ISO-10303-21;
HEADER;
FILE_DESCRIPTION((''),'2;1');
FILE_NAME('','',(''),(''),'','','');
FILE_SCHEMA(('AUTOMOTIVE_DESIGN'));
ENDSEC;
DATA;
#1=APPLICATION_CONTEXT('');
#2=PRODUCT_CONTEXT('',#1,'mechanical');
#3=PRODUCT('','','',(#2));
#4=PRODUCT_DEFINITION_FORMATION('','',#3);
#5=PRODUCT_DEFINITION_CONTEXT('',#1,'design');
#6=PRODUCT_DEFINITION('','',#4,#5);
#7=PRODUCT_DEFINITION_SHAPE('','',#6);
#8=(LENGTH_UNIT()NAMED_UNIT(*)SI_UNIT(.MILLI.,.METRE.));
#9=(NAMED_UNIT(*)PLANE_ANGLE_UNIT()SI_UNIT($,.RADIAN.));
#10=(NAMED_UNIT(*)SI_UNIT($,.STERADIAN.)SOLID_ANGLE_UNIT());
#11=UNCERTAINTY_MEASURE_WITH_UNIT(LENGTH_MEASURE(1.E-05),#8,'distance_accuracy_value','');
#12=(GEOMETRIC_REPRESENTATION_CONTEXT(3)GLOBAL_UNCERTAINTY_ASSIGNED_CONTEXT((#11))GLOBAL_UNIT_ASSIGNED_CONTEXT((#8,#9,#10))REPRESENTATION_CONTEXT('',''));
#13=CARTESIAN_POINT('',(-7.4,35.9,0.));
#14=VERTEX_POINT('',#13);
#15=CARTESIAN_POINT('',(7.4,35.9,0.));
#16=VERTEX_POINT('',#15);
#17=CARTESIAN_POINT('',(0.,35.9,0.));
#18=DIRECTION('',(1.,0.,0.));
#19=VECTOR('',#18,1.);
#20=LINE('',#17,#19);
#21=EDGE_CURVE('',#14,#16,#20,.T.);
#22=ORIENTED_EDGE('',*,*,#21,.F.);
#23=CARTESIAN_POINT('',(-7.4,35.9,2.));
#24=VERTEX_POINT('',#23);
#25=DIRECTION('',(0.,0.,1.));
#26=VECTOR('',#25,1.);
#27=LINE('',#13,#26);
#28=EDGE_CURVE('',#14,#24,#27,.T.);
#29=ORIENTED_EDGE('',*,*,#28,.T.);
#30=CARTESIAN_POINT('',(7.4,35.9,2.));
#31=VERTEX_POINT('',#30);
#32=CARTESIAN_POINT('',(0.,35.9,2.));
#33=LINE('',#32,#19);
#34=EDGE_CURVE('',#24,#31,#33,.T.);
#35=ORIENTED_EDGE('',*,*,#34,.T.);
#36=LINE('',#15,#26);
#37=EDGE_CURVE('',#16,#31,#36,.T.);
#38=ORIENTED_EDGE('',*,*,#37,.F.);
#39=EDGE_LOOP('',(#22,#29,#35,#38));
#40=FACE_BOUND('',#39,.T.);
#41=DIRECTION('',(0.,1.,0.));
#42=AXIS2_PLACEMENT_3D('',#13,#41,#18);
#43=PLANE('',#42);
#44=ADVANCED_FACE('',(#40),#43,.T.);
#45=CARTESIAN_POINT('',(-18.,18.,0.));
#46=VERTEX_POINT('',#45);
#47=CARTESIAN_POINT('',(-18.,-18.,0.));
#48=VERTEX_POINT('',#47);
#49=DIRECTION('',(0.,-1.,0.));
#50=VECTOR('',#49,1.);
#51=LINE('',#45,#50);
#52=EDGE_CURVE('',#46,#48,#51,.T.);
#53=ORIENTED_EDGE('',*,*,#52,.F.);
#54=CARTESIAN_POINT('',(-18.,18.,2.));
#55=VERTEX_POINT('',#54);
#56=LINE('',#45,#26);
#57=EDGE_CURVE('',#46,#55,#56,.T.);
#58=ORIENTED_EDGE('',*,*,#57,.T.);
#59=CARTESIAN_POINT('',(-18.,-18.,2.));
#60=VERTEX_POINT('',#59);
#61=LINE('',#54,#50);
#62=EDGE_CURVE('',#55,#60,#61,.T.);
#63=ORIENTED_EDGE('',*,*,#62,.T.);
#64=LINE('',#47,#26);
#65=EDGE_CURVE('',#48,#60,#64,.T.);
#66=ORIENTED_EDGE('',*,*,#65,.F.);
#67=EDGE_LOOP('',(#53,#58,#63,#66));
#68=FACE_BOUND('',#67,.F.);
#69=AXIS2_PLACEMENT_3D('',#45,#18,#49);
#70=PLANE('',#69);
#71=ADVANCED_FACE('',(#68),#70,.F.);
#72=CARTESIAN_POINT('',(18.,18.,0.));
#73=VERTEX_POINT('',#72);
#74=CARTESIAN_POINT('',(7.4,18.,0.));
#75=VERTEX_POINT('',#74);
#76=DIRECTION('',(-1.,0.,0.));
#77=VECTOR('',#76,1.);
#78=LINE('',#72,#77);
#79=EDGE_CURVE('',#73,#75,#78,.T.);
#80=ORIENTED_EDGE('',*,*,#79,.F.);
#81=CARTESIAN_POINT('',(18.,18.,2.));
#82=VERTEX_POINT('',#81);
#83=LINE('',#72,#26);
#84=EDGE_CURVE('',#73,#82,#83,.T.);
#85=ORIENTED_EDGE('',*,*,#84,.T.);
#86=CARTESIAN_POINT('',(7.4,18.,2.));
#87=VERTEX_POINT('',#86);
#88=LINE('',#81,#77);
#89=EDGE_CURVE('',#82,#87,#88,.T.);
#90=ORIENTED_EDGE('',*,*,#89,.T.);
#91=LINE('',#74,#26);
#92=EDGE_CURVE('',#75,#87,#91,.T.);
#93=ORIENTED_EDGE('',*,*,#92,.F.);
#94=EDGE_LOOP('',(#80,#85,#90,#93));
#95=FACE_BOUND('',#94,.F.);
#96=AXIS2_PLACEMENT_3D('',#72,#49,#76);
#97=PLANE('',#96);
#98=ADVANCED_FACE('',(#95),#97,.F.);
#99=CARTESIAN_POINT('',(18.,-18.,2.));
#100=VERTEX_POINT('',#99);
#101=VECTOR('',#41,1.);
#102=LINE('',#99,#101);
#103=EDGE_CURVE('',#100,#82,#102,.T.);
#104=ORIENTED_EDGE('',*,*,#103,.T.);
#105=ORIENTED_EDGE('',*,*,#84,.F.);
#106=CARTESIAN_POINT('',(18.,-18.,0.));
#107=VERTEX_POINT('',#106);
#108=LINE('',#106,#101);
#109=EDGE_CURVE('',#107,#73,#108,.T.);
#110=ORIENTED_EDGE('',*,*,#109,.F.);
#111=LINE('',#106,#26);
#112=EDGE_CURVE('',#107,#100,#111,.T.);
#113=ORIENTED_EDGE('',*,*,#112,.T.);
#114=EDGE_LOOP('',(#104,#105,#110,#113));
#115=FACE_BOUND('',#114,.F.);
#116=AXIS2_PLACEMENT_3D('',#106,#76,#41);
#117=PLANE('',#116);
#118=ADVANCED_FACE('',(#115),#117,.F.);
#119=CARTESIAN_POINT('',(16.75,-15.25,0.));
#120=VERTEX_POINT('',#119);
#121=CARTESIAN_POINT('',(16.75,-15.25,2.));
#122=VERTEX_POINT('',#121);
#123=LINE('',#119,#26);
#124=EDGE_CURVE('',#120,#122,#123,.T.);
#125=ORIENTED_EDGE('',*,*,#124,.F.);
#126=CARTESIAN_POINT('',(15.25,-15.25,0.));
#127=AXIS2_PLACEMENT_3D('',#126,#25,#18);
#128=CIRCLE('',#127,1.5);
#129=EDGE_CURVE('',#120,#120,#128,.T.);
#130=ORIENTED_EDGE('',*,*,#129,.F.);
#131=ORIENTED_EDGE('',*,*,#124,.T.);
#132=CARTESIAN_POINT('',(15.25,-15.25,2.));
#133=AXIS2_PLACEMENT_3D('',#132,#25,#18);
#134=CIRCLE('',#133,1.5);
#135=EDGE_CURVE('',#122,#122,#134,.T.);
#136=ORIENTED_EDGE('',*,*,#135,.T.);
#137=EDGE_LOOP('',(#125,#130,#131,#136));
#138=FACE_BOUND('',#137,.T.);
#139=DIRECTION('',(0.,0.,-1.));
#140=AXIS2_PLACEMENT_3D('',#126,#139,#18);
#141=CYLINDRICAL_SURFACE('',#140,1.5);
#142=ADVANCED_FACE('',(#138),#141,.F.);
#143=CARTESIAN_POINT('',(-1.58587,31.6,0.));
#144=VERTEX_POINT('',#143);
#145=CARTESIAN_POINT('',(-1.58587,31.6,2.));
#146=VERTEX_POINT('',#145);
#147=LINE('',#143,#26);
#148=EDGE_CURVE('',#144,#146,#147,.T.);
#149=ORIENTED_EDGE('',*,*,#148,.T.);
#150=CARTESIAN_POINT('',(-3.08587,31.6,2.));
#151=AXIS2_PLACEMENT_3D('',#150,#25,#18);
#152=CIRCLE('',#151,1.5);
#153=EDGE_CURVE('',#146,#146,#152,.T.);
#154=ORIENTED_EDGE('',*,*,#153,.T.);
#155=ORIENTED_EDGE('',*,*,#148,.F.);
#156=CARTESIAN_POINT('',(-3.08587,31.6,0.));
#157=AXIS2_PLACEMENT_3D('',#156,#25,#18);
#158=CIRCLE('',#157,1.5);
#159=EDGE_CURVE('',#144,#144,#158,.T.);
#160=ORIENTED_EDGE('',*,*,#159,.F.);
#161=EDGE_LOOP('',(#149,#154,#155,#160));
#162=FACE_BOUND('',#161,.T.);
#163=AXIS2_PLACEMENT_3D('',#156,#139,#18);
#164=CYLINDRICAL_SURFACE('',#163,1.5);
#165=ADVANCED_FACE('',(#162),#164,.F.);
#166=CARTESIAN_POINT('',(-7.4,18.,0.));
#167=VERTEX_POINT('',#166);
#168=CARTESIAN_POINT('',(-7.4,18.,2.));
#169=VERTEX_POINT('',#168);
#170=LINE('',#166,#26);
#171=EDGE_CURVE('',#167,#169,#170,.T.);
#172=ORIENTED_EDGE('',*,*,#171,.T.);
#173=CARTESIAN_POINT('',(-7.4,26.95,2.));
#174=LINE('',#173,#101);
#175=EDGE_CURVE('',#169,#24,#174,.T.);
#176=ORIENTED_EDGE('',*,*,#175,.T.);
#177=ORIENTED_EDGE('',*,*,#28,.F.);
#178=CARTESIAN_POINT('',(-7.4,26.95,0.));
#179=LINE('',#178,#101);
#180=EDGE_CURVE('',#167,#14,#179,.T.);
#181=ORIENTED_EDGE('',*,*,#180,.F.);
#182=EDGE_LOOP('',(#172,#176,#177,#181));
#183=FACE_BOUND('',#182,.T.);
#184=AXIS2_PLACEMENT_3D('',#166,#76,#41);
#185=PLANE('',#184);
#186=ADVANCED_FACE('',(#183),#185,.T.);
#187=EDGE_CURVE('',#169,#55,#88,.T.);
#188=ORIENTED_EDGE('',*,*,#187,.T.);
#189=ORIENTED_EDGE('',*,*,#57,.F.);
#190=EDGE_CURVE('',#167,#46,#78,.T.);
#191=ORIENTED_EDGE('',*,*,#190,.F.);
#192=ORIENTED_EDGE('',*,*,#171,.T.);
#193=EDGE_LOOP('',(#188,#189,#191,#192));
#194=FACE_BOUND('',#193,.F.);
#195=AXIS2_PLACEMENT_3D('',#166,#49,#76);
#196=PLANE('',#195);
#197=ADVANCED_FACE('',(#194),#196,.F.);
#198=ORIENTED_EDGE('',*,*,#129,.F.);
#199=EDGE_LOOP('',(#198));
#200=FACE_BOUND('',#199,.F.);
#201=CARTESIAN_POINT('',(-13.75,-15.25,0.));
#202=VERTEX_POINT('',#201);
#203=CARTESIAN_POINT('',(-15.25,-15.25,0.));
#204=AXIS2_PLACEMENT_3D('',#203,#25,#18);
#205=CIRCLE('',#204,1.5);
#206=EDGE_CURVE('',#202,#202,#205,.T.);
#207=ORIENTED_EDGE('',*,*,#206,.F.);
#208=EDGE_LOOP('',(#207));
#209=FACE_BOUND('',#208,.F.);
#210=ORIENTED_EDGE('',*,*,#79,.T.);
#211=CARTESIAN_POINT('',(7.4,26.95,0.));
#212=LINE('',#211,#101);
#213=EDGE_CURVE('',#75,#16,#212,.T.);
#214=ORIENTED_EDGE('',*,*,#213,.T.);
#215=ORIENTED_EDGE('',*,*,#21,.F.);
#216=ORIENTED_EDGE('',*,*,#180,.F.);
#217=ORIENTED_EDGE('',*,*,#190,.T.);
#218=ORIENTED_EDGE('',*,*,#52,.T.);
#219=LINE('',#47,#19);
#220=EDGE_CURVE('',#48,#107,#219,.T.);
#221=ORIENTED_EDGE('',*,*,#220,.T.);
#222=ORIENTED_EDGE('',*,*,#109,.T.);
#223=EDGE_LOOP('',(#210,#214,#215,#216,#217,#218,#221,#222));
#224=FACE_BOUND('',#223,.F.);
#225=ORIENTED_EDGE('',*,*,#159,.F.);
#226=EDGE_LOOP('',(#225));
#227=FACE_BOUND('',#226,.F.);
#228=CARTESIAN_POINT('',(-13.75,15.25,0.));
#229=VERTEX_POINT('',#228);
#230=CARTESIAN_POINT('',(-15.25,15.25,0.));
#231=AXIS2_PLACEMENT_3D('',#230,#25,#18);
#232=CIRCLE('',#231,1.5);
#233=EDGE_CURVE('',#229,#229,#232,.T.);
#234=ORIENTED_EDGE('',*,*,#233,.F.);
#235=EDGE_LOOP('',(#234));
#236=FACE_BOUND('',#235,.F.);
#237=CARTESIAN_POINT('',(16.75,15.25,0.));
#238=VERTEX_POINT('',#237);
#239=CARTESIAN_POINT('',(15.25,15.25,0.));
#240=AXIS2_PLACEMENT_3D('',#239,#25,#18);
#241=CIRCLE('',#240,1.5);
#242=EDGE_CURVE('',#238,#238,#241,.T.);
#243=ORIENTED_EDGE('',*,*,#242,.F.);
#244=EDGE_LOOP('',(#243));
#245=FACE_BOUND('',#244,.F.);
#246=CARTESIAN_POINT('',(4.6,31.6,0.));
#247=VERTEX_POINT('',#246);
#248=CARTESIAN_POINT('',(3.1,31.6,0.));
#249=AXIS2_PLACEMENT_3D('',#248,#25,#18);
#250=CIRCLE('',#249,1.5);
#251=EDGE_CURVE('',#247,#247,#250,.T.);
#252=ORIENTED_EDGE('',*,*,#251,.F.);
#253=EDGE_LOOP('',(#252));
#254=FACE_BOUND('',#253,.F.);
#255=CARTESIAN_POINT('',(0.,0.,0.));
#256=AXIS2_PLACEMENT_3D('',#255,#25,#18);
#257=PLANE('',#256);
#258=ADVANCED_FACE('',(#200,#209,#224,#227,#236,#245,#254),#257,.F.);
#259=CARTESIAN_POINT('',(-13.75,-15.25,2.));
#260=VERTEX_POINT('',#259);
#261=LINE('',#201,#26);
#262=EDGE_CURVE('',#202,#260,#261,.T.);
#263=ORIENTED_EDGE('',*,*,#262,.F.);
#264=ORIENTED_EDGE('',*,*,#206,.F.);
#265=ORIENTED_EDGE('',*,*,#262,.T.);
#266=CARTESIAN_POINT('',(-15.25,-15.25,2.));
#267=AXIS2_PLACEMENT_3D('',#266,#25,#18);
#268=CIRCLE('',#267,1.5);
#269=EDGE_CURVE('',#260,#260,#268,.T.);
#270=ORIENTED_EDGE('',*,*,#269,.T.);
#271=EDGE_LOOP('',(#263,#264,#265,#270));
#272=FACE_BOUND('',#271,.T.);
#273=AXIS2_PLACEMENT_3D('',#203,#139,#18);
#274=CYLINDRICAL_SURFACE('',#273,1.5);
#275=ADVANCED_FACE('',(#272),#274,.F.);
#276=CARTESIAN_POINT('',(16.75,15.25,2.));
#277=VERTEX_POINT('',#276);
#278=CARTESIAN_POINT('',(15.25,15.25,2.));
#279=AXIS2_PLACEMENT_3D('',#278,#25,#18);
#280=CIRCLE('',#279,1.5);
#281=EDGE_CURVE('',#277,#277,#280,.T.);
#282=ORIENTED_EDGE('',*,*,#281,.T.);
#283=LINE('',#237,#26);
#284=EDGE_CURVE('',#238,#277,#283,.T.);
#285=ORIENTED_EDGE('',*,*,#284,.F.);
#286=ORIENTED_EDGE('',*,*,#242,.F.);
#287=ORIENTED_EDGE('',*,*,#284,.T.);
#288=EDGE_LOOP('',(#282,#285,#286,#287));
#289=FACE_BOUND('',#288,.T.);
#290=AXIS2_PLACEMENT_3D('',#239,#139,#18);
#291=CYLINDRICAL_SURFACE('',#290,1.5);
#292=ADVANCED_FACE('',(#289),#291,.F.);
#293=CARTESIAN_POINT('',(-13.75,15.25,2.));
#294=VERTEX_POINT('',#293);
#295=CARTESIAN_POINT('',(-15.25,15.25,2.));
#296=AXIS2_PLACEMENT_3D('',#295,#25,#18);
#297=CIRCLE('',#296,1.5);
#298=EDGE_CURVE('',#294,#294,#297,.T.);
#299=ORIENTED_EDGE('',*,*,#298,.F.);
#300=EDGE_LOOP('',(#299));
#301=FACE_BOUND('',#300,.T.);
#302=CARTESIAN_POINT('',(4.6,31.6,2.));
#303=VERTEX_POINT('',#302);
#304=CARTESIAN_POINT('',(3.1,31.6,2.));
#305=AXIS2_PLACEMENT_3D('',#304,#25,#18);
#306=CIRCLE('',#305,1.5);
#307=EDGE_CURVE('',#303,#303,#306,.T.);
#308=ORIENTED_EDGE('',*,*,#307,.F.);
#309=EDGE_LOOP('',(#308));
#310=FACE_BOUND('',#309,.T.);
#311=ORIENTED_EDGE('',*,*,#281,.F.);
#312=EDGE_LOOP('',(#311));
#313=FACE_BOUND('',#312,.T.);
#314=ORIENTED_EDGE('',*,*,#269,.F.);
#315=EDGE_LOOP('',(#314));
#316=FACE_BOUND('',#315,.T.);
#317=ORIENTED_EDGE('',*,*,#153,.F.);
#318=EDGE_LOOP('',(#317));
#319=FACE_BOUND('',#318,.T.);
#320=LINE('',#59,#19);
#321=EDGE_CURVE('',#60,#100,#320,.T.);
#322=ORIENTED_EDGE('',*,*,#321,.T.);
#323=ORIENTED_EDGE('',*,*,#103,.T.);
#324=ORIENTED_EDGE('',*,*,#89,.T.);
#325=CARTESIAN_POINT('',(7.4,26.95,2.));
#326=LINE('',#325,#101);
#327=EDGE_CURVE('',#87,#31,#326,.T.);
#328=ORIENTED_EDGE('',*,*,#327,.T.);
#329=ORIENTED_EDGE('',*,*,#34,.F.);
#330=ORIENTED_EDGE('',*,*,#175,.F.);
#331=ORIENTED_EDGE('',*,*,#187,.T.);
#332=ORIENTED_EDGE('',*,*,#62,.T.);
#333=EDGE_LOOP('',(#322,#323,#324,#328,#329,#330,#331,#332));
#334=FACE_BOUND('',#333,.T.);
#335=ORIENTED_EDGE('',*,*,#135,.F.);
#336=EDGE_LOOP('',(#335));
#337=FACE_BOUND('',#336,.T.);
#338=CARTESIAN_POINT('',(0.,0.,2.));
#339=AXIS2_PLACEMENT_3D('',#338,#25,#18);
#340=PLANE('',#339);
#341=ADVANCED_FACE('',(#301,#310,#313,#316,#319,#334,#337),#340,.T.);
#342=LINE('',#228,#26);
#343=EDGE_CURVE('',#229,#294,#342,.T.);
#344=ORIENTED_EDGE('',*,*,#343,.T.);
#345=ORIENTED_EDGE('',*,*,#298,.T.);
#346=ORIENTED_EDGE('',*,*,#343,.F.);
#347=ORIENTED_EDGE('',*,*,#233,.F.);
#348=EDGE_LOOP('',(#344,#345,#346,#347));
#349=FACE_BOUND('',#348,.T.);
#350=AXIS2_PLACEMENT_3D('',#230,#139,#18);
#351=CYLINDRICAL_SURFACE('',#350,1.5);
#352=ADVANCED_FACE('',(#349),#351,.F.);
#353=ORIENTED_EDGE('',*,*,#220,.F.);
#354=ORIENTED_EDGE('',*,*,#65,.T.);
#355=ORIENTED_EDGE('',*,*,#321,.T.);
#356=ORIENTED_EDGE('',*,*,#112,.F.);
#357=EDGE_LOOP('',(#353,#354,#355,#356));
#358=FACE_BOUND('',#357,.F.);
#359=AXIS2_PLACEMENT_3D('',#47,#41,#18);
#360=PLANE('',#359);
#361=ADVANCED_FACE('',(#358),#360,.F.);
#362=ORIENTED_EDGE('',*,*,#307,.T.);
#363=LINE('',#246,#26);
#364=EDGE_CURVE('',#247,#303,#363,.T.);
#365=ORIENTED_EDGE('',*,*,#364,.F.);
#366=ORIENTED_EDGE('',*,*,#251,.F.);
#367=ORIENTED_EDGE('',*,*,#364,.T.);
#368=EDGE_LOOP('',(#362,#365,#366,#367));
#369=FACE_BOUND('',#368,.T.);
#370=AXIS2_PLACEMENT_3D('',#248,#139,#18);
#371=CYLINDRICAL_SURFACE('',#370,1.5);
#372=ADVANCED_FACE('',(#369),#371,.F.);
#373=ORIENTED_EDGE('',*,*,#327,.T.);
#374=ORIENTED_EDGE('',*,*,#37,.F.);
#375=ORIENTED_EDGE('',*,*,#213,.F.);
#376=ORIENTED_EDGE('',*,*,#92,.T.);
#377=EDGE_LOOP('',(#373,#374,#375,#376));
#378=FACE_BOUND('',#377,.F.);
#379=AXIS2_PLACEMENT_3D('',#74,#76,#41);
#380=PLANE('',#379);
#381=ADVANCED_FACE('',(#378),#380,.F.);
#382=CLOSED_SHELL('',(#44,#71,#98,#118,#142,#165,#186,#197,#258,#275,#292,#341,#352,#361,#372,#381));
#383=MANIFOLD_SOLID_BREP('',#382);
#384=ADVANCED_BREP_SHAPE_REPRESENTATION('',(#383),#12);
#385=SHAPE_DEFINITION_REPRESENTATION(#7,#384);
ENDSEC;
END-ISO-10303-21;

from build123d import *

# Parameters (mm, degrees)
F0_R     = 1.5
F0_W     = 14.8
F0_H     = 17.9
F1_DEPTH = 2


with BuildPart() as f1:
    # F0 (on Top) → F1 (new body)
    with BuildSketch(Plane.XY):
        Polygon((-7.4, 18), (-18, 18), (-18, -18), (18, -18), (18, 18), (7.4, 18), align=None)
        with Locations((-15.25, -15.25)):
            Circle(F0_R, mode=Mode.SUBTRACT)
        with Locations((15.25, -15.25)):
            Circle(F0_R, mode=Mode.SUBTRACT)
        with Locations((-15.25, 15.25)):
            Circle(F0_R, mode=Mode.SUBTRACT)
        with Locations((15.25, 15.25)):
            Circle(F0_R, mode=Mode.SUBTRACT)
        with Locations((0, 26.95)):
            Rectangle(F0_W, F0_H)
        with Locations((-3.08587, 31.6)):
            Circle(F0_R, mode=Mode.SUBTRACT)
        with Locations((3.1, 31.6)):
            Circle(F0_R, mode=Mode.SUBTRACT)
    extrude(amount=F1_DEPTH)


solid = f1.part
